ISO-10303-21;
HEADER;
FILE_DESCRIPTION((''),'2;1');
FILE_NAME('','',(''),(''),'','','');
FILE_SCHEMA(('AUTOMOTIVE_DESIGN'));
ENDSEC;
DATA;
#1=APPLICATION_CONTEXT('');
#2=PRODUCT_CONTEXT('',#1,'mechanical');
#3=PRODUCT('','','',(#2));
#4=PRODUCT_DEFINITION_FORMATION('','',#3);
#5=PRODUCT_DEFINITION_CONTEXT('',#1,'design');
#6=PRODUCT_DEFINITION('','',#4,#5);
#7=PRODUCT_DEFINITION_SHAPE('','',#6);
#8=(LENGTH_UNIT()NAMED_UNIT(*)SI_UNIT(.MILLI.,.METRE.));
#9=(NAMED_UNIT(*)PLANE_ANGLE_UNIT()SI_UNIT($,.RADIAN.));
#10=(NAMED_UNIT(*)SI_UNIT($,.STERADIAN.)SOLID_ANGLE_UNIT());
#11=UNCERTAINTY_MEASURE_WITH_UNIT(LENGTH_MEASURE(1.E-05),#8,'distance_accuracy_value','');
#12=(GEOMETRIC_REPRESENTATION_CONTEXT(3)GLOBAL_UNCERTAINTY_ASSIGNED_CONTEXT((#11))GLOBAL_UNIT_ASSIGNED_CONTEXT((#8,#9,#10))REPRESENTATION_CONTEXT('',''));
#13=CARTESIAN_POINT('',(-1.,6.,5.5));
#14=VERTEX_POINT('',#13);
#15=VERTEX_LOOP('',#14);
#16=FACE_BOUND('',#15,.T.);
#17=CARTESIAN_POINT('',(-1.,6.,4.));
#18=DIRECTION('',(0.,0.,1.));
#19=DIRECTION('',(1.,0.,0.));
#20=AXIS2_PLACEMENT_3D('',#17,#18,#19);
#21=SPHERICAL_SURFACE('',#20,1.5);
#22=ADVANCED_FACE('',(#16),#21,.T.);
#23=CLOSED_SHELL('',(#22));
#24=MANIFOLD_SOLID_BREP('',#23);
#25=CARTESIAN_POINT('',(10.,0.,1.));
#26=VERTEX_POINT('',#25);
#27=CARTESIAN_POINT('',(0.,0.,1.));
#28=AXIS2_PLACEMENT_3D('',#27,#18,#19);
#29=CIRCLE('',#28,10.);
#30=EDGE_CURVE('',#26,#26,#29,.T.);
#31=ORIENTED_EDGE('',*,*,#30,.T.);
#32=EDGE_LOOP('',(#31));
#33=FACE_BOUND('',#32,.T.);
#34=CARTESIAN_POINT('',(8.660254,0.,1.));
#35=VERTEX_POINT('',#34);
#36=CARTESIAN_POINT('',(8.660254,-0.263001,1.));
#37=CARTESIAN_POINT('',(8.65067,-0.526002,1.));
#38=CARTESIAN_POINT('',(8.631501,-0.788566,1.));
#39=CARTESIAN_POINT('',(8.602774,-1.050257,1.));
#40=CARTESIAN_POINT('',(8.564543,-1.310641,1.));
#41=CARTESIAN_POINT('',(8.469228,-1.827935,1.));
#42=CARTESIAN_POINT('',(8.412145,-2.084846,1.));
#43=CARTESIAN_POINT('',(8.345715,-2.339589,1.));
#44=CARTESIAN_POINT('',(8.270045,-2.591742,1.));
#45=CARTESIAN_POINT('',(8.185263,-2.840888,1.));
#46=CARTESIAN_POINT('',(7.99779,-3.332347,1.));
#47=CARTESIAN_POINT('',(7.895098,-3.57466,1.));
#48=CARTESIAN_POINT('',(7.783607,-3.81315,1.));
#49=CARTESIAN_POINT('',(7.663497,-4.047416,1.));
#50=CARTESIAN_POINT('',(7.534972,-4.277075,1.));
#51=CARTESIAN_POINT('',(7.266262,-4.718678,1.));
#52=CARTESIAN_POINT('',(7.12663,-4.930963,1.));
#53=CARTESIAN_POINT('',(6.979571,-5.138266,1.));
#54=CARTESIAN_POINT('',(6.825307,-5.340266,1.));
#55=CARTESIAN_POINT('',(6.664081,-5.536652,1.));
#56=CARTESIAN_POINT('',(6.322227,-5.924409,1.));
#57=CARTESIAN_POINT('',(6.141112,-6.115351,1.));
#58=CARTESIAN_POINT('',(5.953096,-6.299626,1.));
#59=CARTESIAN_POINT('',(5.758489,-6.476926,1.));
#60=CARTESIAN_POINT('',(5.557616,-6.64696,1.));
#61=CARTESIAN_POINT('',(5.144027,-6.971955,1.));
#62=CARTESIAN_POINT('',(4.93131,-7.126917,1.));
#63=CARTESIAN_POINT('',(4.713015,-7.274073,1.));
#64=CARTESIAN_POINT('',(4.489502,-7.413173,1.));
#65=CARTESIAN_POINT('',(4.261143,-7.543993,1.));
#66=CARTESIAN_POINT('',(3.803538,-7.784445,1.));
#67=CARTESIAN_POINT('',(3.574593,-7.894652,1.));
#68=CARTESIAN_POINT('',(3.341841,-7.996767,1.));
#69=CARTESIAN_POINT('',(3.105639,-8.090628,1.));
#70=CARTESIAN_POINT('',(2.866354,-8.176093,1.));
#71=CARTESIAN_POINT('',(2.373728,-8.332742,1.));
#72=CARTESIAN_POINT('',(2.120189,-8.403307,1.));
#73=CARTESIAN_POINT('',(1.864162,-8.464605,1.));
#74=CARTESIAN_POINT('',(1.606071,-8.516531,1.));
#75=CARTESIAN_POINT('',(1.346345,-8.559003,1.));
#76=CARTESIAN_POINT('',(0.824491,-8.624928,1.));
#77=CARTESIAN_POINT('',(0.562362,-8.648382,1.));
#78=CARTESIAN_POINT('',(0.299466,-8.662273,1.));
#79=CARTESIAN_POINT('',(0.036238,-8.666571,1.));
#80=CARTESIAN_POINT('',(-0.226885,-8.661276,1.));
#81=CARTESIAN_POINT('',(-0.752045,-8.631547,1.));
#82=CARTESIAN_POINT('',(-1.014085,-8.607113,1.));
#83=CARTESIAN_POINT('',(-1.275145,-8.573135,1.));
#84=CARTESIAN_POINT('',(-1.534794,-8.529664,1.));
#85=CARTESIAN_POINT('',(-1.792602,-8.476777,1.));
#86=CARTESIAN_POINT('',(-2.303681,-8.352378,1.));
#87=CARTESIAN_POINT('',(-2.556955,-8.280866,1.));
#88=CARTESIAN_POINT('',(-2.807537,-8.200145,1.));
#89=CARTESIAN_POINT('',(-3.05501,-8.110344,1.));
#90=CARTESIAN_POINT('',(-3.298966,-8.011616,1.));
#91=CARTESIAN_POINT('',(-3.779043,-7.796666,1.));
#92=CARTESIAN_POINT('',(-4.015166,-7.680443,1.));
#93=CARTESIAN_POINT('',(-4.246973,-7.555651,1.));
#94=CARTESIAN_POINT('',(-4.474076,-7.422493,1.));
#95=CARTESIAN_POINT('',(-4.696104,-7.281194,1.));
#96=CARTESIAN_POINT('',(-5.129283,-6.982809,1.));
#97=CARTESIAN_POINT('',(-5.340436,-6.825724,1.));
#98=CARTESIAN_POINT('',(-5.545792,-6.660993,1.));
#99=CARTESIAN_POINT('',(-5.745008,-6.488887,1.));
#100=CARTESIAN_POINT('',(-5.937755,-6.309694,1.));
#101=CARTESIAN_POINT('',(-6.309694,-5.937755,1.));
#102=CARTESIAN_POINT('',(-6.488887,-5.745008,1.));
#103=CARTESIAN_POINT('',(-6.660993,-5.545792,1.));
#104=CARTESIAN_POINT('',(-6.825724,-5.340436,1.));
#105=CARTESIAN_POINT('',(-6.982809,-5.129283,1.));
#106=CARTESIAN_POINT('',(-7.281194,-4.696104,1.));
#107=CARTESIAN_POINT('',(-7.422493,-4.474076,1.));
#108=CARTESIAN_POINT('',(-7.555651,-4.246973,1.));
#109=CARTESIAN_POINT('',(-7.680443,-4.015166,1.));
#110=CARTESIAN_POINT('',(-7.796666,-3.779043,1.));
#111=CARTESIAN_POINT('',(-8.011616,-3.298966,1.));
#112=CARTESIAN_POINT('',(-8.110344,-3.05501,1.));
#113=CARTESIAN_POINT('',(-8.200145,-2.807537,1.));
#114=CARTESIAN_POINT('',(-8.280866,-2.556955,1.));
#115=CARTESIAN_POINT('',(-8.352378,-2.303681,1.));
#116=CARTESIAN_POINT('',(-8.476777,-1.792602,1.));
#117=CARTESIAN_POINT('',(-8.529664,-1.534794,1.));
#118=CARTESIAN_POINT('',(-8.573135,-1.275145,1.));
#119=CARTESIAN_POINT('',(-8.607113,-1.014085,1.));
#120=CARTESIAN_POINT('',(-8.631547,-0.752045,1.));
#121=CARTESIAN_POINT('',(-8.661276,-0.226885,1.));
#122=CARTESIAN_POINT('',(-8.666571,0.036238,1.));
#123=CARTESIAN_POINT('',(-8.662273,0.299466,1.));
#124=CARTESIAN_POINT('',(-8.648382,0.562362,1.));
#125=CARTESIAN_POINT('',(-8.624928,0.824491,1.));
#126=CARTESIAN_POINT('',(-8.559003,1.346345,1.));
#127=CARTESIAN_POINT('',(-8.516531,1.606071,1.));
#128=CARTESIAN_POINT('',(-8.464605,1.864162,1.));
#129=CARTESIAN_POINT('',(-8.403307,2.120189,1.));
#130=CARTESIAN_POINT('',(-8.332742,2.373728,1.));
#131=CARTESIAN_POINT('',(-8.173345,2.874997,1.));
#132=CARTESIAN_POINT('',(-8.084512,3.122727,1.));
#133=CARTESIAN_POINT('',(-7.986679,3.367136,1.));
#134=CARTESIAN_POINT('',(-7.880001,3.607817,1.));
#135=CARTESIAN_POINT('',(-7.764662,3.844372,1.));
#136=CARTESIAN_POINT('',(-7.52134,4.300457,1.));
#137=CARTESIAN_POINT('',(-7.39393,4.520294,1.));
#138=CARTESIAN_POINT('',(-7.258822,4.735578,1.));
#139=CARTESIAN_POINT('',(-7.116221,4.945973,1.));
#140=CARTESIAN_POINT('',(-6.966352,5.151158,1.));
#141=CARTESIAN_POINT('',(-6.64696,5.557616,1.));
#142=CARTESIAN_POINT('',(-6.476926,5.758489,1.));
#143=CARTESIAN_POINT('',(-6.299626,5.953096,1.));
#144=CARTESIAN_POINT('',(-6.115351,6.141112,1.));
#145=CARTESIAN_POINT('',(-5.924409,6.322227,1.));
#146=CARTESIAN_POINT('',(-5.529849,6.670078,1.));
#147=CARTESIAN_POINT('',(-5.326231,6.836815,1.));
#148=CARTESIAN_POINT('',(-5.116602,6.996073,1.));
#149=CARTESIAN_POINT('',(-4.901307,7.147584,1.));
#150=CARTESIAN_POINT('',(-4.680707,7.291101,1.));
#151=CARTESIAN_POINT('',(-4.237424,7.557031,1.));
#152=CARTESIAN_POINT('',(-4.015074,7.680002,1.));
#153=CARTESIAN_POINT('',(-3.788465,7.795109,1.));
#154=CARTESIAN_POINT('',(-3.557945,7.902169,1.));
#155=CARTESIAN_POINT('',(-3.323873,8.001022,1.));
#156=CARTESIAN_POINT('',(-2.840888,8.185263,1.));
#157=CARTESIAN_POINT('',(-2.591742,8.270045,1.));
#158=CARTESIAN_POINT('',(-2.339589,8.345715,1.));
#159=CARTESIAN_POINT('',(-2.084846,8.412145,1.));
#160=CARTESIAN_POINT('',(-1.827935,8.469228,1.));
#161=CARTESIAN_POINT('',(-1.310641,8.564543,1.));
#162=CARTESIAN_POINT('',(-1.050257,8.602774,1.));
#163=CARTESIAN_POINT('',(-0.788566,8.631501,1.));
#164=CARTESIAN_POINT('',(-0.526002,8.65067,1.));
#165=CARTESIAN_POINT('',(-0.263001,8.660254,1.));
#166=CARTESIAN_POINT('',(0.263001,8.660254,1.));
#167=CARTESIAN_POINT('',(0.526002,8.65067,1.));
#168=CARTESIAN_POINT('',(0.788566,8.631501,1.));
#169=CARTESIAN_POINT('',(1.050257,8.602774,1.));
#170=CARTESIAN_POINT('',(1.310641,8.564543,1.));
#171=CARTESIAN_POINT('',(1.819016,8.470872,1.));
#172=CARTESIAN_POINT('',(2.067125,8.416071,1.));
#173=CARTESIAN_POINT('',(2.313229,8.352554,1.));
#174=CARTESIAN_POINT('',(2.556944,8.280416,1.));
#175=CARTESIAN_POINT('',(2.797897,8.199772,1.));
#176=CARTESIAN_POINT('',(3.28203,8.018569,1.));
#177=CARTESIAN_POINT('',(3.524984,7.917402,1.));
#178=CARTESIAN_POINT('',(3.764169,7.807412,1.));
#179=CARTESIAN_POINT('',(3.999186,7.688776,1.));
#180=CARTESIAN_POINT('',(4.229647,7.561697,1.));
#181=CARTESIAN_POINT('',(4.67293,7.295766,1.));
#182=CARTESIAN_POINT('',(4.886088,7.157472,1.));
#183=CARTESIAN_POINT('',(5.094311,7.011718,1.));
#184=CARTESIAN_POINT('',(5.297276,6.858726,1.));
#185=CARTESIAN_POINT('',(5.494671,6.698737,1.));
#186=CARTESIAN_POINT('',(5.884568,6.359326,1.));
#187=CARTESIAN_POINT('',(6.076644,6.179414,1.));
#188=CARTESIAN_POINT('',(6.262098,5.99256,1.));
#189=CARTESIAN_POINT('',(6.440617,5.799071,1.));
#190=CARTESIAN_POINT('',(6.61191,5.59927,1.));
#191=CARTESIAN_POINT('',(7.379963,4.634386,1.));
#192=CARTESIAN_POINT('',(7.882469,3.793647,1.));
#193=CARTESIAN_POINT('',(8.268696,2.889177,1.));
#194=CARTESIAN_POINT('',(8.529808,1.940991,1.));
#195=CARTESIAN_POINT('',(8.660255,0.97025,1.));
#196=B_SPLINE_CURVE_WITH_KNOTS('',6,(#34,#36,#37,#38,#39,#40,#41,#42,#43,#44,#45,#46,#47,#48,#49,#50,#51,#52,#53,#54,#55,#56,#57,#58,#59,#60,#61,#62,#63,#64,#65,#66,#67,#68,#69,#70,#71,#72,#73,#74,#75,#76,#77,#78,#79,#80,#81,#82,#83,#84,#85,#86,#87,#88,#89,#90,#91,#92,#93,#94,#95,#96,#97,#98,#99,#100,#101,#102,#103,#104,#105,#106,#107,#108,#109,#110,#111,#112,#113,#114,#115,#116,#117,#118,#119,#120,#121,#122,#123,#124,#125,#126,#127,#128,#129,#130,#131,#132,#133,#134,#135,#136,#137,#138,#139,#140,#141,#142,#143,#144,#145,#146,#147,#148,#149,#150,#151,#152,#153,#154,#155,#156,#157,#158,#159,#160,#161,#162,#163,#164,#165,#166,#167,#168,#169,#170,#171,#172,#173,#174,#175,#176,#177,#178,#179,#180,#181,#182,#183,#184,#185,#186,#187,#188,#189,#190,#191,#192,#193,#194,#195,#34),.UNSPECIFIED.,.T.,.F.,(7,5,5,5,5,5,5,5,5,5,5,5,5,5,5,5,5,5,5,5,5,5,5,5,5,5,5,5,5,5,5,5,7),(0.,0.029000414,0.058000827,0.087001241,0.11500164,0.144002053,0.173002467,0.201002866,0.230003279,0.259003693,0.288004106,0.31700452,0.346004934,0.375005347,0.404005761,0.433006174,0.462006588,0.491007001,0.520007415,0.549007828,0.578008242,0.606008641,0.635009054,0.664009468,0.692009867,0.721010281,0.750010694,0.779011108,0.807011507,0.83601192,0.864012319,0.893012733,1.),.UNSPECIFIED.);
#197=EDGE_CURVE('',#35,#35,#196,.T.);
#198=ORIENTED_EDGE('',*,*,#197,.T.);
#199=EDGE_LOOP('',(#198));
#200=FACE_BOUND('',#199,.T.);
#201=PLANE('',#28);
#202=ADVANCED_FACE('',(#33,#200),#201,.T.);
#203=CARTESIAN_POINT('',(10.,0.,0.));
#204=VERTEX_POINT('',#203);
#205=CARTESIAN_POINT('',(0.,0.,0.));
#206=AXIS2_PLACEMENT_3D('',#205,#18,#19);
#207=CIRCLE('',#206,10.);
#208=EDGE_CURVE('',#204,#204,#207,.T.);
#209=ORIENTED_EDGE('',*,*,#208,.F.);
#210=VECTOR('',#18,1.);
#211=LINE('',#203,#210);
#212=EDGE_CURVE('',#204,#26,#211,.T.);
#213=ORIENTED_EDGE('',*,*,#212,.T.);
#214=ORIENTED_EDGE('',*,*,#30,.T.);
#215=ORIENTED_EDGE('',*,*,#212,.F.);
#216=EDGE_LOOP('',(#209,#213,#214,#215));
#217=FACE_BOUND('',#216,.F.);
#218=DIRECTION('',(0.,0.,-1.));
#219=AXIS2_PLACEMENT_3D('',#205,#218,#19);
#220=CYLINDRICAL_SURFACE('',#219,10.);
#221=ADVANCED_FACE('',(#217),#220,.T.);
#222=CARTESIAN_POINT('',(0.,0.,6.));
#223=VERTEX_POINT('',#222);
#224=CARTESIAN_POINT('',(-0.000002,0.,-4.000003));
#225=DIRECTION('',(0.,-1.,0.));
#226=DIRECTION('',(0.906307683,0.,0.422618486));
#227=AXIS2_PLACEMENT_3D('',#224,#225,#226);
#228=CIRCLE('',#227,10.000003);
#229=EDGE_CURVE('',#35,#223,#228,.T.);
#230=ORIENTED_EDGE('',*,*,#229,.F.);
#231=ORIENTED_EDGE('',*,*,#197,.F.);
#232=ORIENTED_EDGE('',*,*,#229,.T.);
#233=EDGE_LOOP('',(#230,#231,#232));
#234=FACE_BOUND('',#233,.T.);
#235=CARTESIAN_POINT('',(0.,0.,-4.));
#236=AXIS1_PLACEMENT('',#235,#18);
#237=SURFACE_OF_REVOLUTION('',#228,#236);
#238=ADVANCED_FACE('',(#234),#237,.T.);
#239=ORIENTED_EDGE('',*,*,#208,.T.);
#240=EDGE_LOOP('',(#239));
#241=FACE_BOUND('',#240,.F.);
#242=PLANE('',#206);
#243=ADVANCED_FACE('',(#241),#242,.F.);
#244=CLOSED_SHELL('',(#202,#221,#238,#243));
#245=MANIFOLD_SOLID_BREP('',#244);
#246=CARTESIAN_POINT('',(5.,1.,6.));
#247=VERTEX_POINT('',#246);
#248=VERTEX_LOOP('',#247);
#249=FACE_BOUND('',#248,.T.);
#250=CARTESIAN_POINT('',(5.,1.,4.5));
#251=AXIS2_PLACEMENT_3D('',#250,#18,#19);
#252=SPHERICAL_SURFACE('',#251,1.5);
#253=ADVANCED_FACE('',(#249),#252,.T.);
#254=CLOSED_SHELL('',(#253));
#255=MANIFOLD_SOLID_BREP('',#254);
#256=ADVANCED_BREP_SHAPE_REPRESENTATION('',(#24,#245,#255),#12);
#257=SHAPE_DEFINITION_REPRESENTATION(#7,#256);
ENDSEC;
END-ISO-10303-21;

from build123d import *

# Parameters (mm, degrees)
CYLINDER_R     = 10
CYLINDER_DEPTH = 1


with BuildPart() as cylinder:
    # Cylinder → Cylinder (new body)
    with BuildSketch(Plane.XY):
        Circle(CYLINDER_R)
    extrude(amount=CYLINDER_DEPTH)


with BuildPart() as fusion:
    # Sphere → Sphere (revolve)
    with BuildSketch(Plane(origin=(0, 0, -4), x_dir=(1, 0, 0), z_dir=(0, -1, 0))):
        with BuildLine():
            ThreePointArc((9.063078, 4.226183), (5.372996, 8.433914), (0, 10))
            Line((0, 10), (0, 4.226183))
            Line((0, 4.226183), (9.063078, 4.226183))
        make_face()
    revolve(axis=Axis((0, 0, -4), (0, 0, 1)))

    # Fusion: union Cylinder
    add(cylinder.part)


with BuildPart() as sphere001:
    # Sphere001 → Sphere001 (revolve)
    with BuildSketch(Plane(origin=(5, 1, 4.5), x_dir=(1, 0, 0), z_dir=(0, -1, 0))):
        with BuildLine():
            ThreePointArc((0, -1.5), (1.5, 0), (0, 1.5))
            Line((0, 1.5), (0, -1.5))
        make_face()
    revolve(axis=Axis((5, 1, 4.5), (0, 0, 1)))


with BuildPart() as fusion001:
    # Sphere002 → Sphere002 (revolve)
    with BuildSketch(Plane(origin=(-1, 6, 4), x_dir=(1, 0, 0), z_dir=(0, -1, 0))):
        with BuildLine():
            ThreePointArc((0, -1.5), (1.5, 0), (0, 1.5))
            Line((0, 1.5), (0, -1.5))
        make_face()
    revolve(axis=Axis((-1, 6, 4), (0, 0, 1)))

    # Fusion001: union Sphere001
    add(sphere001.part)


solid = Compound([fusion.part, fusion001.part])
